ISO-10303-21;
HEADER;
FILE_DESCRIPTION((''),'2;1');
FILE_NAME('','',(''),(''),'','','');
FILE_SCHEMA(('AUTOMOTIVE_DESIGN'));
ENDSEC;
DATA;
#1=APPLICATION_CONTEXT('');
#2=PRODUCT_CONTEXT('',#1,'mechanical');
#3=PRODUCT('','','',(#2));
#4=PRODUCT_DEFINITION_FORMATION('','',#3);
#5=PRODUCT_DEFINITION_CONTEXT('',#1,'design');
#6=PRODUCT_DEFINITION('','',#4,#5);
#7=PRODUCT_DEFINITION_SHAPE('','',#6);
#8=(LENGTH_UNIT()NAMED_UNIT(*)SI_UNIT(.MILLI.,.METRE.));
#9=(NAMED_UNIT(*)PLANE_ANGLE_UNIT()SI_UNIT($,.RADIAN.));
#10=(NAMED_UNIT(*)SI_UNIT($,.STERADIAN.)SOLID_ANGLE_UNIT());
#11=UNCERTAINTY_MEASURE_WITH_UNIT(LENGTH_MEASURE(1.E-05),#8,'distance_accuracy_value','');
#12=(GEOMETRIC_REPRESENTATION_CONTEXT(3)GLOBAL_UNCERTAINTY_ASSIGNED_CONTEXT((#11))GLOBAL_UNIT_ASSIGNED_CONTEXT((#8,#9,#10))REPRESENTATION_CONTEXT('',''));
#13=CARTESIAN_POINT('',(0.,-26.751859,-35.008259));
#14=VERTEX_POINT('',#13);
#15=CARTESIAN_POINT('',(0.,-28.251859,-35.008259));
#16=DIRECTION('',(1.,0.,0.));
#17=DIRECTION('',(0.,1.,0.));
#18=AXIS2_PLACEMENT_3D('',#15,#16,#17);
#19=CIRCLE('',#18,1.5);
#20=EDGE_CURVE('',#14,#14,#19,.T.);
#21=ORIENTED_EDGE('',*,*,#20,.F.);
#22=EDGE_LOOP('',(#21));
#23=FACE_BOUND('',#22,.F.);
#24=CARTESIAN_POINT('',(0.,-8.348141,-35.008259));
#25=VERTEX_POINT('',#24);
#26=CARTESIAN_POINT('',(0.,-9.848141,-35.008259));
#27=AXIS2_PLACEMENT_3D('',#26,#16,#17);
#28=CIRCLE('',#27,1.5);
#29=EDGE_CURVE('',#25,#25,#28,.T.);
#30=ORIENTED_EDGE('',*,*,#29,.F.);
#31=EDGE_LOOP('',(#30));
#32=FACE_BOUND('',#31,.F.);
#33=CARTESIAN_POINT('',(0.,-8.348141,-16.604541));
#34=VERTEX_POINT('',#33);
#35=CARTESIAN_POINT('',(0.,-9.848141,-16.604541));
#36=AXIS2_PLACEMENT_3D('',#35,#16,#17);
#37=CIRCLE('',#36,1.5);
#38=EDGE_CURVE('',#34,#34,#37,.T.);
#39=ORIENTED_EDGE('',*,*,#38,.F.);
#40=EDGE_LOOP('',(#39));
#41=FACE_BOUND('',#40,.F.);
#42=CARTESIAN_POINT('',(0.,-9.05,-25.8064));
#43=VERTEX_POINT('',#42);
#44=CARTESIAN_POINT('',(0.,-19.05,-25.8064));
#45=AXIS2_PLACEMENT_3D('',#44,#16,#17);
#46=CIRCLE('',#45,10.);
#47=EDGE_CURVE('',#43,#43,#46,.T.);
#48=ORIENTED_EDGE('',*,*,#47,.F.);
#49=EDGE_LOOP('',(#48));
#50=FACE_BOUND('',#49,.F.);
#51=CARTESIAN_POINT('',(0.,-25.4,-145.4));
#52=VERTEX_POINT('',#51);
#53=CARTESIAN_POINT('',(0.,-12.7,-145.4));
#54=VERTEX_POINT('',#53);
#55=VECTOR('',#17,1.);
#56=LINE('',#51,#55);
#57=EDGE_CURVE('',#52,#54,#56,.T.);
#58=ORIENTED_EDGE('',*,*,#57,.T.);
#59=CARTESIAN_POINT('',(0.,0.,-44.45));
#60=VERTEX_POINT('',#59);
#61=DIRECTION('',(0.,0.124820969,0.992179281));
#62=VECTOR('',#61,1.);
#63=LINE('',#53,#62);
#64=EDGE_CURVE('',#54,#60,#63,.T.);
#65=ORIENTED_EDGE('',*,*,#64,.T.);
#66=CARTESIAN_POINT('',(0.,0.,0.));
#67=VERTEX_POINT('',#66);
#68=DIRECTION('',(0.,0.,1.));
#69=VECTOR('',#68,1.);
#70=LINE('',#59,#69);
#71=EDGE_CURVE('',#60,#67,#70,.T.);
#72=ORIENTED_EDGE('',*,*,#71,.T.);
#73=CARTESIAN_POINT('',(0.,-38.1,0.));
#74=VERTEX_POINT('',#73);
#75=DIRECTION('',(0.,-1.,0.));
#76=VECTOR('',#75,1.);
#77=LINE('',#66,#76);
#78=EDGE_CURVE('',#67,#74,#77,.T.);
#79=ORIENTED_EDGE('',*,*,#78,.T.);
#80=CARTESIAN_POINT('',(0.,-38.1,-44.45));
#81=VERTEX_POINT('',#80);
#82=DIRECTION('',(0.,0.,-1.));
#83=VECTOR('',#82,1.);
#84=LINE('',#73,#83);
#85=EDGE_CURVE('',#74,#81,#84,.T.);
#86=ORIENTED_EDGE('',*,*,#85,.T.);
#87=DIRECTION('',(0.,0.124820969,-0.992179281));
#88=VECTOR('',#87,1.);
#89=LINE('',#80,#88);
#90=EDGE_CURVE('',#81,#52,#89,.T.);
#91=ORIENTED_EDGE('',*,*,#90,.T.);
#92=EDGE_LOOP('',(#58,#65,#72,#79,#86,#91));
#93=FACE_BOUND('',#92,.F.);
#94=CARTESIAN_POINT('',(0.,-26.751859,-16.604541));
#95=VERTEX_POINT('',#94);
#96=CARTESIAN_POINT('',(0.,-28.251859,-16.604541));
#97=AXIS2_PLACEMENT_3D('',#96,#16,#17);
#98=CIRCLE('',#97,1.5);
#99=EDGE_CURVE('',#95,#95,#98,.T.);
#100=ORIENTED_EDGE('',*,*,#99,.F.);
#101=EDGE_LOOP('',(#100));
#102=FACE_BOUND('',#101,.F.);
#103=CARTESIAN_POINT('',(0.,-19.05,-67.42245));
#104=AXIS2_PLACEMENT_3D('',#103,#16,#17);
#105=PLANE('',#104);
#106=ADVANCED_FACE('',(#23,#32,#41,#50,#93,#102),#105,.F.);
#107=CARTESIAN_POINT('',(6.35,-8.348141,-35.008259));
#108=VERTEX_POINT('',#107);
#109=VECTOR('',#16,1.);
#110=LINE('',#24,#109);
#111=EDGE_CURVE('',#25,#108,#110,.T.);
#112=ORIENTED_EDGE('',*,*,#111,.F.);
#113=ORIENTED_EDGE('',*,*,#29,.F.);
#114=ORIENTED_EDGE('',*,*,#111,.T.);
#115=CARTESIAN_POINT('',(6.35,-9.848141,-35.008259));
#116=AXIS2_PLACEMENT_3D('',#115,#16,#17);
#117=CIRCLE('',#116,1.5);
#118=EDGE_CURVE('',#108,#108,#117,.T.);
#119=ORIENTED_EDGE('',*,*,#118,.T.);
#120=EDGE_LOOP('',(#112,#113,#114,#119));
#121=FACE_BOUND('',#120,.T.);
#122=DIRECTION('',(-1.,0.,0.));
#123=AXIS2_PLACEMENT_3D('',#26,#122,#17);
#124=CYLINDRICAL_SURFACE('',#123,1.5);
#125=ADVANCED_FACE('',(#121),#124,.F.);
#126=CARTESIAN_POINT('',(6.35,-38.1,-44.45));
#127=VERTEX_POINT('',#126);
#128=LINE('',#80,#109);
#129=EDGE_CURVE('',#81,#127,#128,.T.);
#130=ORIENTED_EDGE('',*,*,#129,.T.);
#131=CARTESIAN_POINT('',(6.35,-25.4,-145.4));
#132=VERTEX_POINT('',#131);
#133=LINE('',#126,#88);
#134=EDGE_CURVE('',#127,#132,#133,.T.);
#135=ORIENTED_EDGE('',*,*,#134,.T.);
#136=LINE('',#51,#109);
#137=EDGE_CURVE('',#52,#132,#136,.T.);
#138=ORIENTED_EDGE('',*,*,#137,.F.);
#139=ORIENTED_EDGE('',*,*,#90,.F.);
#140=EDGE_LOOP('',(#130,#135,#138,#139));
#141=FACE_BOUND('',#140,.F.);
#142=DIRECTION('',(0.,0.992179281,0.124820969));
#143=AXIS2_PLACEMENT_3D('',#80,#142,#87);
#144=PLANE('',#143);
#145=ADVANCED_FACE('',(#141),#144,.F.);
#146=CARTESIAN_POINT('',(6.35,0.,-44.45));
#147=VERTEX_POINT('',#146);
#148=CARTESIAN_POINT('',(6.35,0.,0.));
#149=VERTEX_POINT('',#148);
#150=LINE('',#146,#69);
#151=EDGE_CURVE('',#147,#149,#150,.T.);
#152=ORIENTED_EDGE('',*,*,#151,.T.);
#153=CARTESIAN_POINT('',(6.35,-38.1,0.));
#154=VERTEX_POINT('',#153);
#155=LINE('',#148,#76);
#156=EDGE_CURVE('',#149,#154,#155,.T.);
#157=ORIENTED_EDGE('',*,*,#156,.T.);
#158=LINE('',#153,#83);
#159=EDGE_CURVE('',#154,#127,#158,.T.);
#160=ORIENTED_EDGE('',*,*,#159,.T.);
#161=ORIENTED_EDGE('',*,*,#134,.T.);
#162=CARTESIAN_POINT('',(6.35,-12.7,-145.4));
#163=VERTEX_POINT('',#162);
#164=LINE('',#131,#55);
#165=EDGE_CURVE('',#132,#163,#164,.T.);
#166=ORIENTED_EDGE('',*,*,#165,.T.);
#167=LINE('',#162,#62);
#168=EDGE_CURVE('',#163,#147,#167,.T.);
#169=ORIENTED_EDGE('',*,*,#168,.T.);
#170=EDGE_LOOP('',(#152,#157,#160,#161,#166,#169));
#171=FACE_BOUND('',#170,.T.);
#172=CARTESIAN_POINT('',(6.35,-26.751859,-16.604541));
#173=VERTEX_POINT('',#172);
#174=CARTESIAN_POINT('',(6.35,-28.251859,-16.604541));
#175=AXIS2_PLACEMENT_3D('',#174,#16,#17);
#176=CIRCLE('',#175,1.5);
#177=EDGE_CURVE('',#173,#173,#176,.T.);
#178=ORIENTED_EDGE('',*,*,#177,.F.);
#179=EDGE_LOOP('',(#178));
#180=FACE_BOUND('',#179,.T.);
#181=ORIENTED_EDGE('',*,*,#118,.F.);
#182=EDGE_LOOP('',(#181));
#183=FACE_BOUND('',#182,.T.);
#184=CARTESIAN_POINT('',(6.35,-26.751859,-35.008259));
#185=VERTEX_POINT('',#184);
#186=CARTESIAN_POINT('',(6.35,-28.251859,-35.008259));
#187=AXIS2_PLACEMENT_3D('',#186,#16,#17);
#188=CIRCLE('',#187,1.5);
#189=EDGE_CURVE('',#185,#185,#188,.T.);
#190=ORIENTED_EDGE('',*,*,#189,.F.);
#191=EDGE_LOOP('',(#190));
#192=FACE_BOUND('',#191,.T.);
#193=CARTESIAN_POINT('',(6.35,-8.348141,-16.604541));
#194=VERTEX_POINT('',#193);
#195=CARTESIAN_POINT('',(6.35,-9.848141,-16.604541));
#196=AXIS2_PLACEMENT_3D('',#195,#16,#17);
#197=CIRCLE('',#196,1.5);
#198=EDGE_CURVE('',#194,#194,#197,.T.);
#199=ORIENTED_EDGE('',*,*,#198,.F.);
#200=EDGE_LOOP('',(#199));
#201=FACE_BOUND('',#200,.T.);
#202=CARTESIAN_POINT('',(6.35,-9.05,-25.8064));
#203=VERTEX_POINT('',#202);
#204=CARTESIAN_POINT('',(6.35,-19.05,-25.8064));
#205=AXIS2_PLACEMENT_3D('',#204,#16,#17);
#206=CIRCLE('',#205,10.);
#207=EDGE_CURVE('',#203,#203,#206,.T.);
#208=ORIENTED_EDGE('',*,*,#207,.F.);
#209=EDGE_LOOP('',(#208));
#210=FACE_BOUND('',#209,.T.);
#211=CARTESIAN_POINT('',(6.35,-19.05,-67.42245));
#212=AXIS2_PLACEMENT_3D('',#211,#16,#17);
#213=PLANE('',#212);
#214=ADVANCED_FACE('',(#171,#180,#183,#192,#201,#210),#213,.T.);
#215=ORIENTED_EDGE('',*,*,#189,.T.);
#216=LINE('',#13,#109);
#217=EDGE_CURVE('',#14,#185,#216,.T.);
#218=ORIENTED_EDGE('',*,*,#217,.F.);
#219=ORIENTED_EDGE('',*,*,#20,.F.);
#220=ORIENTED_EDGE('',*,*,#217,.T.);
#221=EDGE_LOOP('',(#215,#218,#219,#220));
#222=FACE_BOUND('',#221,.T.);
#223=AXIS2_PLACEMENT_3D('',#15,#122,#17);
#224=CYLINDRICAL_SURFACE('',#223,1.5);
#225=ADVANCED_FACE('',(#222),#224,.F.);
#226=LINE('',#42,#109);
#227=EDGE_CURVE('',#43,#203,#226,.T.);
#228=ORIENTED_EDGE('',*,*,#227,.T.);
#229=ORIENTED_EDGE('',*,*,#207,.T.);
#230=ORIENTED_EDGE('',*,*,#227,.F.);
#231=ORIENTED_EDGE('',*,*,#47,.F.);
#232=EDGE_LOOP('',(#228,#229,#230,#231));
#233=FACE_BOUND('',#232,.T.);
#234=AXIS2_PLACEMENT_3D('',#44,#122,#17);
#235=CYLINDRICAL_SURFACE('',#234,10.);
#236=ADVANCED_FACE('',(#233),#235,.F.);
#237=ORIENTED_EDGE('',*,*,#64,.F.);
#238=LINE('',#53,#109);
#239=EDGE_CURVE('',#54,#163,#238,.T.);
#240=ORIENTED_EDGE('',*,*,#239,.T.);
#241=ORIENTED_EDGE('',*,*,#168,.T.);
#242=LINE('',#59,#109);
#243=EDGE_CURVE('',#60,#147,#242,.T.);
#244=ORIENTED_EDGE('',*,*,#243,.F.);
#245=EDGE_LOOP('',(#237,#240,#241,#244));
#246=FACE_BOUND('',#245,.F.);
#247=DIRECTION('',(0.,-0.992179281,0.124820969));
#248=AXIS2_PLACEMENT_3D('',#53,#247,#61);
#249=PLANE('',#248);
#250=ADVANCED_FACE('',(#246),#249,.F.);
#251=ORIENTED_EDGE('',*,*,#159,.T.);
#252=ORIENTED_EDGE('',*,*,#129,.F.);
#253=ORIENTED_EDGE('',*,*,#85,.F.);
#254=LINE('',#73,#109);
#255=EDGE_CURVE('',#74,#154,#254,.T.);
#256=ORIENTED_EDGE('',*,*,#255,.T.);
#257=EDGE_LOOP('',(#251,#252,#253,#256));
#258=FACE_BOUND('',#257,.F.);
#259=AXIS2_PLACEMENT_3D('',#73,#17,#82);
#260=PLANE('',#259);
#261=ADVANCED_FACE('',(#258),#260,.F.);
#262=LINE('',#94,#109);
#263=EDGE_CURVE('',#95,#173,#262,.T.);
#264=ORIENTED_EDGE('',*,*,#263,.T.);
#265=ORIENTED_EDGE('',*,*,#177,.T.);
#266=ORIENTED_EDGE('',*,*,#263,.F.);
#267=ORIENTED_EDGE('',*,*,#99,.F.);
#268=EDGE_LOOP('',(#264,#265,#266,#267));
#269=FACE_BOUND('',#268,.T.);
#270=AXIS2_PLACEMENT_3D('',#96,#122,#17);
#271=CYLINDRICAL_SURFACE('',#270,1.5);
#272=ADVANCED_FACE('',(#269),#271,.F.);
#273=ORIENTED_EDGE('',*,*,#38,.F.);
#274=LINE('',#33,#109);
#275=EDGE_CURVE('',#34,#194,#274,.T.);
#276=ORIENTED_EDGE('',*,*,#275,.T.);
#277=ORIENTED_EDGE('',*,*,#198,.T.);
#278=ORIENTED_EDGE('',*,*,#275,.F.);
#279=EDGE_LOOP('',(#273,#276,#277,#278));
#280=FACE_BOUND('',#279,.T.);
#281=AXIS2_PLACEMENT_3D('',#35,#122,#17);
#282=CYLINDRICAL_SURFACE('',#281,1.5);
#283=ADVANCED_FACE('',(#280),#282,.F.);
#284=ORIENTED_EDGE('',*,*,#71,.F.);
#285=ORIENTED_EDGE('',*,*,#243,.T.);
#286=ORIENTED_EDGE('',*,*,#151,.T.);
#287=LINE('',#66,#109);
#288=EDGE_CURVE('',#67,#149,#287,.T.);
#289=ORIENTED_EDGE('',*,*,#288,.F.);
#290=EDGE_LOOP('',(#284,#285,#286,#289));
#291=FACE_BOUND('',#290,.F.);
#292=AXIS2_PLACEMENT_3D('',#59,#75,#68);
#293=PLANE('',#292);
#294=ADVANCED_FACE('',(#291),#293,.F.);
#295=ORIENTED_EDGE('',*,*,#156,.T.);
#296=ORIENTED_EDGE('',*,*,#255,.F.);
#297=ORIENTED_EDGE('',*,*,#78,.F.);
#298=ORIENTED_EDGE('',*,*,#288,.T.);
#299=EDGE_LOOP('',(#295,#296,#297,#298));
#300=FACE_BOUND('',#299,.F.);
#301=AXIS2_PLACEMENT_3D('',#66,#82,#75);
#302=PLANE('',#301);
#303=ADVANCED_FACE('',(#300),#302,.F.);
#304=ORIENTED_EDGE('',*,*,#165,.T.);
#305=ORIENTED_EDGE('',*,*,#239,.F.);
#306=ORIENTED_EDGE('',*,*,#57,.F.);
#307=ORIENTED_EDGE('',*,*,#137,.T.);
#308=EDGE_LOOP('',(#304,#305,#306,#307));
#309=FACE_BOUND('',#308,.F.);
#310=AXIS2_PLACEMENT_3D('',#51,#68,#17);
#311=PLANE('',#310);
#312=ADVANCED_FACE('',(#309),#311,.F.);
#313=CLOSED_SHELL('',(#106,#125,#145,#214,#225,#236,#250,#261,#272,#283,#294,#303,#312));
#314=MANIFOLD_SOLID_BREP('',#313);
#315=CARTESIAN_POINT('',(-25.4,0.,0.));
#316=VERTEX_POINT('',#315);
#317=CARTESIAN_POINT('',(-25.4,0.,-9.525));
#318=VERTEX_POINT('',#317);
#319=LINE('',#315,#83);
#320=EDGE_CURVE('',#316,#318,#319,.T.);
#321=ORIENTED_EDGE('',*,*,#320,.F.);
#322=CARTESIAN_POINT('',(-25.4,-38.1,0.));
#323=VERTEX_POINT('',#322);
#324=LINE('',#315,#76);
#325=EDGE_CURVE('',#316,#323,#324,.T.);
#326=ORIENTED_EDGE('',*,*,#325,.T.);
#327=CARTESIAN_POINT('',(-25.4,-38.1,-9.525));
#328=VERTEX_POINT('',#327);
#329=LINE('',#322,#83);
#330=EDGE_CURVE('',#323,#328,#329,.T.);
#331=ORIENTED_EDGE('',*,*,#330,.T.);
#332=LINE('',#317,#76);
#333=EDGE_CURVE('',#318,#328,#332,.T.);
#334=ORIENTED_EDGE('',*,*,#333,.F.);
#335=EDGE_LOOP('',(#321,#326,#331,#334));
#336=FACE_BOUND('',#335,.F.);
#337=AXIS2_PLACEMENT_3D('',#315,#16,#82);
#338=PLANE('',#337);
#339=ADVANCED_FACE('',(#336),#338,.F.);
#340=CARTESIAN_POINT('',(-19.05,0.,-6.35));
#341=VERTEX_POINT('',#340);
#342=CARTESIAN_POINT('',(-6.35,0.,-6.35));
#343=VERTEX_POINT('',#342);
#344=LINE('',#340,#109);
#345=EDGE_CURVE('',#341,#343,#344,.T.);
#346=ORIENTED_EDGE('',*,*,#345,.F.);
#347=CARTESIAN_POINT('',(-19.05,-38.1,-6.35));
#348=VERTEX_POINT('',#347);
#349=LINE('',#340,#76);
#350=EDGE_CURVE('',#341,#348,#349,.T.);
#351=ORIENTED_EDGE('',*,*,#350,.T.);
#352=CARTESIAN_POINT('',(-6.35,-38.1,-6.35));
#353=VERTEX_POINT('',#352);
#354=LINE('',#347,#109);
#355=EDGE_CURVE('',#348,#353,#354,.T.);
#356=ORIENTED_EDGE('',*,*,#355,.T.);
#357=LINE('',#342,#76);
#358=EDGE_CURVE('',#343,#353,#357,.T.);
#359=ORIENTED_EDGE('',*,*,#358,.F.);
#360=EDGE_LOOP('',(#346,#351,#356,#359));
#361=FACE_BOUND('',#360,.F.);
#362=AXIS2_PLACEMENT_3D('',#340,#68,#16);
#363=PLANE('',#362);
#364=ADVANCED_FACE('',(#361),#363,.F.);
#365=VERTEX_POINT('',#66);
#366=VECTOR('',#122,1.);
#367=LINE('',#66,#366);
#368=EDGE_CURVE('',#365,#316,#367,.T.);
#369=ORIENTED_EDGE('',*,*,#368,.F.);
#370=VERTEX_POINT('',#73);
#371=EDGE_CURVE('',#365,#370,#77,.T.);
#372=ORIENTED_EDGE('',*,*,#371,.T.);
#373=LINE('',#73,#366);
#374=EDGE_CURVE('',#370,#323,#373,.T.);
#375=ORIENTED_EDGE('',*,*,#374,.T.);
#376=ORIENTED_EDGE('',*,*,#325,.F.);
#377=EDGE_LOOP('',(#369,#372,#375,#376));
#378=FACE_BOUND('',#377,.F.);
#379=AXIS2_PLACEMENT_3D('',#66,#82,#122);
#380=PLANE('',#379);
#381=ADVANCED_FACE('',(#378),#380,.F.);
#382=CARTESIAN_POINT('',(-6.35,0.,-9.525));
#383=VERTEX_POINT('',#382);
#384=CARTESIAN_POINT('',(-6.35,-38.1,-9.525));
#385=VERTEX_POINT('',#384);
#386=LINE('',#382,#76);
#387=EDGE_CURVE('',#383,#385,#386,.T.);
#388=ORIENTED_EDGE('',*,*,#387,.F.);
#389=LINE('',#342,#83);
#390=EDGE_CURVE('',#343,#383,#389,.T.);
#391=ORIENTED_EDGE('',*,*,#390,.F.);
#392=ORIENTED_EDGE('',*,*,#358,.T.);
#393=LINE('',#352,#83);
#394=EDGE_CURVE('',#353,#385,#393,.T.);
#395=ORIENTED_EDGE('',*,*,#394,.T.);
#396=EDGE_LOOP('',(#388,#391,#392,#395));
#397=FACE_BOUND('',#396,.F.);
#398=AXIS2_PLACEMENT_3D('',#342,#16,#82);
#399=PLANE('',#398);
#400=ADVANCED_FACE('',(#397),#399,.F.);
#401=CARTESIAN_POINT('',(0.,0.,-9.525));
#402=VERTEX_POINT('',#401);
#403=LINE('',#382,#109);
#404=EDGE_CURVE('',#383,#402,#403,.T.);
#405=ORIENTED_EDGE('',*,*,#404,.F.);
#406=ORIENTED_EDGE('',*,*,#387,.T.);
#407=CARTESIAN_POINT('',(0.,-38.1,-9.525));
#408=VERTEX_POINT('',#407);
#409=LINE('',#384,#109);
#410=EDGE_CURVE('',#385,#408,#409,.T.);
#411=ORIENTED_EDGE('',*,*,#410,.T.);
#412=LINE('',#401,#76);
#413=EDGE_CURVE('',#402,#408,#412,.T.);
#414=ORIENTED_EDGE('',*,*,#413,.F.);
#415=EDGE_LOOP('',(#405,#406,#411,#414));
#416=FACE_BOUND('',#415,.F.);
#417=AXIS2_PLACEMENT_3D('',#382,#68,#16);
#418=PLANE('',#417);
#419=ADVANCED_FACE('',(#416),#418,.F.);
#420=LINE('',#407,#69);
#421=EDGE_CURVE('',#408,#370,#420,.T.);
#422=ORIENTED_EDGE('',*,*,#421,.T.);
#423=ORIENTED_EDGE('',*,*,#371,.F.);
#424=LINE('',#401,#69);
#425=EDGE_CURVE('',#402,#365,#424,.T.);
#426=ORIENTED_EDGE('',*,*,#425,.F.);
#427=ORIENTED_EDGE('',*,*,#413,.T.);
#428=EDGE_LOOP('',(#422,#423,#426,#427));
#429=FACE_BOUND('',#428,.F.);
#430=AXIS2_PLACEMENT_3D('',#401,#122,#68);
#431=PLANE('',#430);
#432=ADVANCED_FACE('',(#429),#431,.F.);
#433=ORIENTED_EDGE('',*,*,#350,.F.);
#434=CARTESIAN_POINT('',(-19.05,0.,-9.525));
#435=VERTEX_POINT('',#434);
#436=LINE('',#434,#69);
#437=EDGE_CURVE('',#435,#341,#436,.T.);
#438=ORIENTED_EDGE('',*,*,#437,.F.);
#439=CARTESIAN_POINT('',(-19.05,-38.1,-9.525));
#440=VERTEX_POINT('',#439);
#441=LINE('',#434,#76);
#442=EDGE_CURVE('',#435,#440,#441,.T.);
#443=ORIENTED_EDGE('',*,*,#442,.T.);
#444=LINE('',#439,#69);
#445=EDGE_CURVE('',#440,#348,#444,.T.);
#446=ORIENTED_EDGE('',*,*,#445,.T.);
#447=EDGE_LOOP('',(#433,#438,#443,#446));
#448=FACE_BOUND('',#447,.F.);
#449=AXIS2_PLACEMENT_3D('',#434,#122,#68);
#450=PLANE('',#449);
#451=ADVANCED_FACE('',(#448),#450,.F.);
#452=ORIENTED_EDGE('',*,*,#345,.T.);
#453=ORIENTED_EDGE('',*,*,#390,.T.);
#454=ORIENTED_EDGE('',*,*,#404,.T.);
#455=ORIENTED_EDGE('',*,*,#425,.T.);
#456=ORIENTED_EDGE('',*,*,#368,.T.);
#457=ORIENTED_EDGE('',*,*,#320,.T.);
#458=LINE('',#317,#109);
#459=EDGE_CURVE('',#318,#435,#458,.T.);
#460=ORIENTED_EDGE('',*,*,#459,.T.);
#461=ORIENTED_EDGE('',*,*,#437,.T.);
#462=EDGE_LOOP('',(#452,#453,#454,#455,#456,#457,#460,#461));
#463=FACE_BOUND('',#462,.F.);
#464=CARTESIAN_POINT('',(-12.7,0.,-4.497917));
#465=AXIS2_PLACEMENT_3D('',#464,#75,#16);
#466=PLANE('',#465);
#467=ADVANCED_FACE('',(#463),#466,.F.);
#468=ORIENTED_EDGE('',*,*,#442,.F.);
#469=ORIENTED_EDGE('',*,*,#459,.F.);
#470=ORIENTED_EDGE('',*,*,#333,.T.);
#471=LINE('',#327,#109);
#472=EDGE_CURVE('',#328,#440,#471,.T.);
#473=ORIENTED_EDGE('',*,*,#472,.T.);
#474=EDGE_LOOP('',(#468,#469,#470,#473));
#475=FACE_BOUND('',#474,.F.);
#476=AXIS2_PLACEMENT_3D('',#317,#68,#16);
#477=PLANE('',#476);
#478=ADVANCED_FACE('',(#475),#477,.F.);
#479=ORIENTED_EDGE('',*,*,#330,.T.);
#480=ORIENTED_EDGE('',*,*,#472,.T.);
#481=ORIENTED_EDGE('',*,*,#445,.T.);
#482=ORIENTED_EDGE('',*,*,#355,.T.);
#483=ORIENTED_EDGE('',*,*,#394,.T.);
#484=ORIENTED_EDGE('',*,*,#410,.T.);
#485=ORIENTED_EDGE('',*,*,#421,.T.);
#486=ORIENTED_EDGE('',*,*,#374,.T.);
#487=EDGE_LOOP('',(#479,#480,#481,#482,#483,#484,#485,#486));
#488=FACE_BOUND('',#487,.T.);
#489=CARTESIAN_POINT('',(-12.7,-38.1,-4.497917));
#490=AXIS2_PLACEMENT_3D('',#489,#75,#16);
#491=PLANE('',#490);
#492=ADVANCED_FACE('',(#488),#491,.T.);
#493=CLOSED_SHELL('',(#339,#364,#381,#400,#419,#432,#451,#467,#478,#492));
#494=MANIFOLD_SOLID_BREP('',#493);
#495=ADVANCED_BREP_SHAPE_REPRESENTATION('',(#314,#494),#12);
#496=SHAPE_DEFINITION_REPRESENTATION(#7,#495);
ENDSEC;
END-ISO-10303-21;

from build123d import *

# Parameters (mm, degrees)
F1_DEPTH = 38.1
F2_R     = 1.5
F2_R_2   = 10
F3_DEPTH = 6.35


with BuildPart() as f1:
    # F0 (on Front) → F1 (new body)
    with BuildSketch(Plane.XZ):
        Polygon((0, 0), (-25.4, 0), (-25.4, -9.525), (-19.05, -9.525), (-19.05, -6.35), (-6.35, -6.35), (-6.35, -9.525), (0, -9.525), align=None)
    extrude(amount=F1_DEPTH)


with BuildPart() as f3:
    # F2 (on Right) → F3 (new body)
    with BuildSketch(Plane.YZ):
        Polygon((-25.4, -145.4), (-12.7, -145.4), (0, -44.45), (0, 0), (-38.1, 0), (-38.1, -44.45), align=None)
        with Locations((-28.251859, -35.008259)):
            Circle(F2_R, mode=Mode.SUBTRACT)
        with Locations((-28.251859, -16.604541)):
            Circle(F2_R, mode=Mode.SUBTRACT)
        with Locations((-19.05, -25.8064)):
            Circle(F2_R_2, mode=Mode.SUBTRACT)
        with Locations((-9.848141, -35.008259)):
            Circle(F2_R, mode=Mode.SUBTRACT)
        with Locations((-9.848141, -16.604541)):
            Circle(F2_R, mode=Mode.SUBTRACT)
    extrude(amount=F3_DEPTH)


solid = Compound([f1.part, f3.part])
